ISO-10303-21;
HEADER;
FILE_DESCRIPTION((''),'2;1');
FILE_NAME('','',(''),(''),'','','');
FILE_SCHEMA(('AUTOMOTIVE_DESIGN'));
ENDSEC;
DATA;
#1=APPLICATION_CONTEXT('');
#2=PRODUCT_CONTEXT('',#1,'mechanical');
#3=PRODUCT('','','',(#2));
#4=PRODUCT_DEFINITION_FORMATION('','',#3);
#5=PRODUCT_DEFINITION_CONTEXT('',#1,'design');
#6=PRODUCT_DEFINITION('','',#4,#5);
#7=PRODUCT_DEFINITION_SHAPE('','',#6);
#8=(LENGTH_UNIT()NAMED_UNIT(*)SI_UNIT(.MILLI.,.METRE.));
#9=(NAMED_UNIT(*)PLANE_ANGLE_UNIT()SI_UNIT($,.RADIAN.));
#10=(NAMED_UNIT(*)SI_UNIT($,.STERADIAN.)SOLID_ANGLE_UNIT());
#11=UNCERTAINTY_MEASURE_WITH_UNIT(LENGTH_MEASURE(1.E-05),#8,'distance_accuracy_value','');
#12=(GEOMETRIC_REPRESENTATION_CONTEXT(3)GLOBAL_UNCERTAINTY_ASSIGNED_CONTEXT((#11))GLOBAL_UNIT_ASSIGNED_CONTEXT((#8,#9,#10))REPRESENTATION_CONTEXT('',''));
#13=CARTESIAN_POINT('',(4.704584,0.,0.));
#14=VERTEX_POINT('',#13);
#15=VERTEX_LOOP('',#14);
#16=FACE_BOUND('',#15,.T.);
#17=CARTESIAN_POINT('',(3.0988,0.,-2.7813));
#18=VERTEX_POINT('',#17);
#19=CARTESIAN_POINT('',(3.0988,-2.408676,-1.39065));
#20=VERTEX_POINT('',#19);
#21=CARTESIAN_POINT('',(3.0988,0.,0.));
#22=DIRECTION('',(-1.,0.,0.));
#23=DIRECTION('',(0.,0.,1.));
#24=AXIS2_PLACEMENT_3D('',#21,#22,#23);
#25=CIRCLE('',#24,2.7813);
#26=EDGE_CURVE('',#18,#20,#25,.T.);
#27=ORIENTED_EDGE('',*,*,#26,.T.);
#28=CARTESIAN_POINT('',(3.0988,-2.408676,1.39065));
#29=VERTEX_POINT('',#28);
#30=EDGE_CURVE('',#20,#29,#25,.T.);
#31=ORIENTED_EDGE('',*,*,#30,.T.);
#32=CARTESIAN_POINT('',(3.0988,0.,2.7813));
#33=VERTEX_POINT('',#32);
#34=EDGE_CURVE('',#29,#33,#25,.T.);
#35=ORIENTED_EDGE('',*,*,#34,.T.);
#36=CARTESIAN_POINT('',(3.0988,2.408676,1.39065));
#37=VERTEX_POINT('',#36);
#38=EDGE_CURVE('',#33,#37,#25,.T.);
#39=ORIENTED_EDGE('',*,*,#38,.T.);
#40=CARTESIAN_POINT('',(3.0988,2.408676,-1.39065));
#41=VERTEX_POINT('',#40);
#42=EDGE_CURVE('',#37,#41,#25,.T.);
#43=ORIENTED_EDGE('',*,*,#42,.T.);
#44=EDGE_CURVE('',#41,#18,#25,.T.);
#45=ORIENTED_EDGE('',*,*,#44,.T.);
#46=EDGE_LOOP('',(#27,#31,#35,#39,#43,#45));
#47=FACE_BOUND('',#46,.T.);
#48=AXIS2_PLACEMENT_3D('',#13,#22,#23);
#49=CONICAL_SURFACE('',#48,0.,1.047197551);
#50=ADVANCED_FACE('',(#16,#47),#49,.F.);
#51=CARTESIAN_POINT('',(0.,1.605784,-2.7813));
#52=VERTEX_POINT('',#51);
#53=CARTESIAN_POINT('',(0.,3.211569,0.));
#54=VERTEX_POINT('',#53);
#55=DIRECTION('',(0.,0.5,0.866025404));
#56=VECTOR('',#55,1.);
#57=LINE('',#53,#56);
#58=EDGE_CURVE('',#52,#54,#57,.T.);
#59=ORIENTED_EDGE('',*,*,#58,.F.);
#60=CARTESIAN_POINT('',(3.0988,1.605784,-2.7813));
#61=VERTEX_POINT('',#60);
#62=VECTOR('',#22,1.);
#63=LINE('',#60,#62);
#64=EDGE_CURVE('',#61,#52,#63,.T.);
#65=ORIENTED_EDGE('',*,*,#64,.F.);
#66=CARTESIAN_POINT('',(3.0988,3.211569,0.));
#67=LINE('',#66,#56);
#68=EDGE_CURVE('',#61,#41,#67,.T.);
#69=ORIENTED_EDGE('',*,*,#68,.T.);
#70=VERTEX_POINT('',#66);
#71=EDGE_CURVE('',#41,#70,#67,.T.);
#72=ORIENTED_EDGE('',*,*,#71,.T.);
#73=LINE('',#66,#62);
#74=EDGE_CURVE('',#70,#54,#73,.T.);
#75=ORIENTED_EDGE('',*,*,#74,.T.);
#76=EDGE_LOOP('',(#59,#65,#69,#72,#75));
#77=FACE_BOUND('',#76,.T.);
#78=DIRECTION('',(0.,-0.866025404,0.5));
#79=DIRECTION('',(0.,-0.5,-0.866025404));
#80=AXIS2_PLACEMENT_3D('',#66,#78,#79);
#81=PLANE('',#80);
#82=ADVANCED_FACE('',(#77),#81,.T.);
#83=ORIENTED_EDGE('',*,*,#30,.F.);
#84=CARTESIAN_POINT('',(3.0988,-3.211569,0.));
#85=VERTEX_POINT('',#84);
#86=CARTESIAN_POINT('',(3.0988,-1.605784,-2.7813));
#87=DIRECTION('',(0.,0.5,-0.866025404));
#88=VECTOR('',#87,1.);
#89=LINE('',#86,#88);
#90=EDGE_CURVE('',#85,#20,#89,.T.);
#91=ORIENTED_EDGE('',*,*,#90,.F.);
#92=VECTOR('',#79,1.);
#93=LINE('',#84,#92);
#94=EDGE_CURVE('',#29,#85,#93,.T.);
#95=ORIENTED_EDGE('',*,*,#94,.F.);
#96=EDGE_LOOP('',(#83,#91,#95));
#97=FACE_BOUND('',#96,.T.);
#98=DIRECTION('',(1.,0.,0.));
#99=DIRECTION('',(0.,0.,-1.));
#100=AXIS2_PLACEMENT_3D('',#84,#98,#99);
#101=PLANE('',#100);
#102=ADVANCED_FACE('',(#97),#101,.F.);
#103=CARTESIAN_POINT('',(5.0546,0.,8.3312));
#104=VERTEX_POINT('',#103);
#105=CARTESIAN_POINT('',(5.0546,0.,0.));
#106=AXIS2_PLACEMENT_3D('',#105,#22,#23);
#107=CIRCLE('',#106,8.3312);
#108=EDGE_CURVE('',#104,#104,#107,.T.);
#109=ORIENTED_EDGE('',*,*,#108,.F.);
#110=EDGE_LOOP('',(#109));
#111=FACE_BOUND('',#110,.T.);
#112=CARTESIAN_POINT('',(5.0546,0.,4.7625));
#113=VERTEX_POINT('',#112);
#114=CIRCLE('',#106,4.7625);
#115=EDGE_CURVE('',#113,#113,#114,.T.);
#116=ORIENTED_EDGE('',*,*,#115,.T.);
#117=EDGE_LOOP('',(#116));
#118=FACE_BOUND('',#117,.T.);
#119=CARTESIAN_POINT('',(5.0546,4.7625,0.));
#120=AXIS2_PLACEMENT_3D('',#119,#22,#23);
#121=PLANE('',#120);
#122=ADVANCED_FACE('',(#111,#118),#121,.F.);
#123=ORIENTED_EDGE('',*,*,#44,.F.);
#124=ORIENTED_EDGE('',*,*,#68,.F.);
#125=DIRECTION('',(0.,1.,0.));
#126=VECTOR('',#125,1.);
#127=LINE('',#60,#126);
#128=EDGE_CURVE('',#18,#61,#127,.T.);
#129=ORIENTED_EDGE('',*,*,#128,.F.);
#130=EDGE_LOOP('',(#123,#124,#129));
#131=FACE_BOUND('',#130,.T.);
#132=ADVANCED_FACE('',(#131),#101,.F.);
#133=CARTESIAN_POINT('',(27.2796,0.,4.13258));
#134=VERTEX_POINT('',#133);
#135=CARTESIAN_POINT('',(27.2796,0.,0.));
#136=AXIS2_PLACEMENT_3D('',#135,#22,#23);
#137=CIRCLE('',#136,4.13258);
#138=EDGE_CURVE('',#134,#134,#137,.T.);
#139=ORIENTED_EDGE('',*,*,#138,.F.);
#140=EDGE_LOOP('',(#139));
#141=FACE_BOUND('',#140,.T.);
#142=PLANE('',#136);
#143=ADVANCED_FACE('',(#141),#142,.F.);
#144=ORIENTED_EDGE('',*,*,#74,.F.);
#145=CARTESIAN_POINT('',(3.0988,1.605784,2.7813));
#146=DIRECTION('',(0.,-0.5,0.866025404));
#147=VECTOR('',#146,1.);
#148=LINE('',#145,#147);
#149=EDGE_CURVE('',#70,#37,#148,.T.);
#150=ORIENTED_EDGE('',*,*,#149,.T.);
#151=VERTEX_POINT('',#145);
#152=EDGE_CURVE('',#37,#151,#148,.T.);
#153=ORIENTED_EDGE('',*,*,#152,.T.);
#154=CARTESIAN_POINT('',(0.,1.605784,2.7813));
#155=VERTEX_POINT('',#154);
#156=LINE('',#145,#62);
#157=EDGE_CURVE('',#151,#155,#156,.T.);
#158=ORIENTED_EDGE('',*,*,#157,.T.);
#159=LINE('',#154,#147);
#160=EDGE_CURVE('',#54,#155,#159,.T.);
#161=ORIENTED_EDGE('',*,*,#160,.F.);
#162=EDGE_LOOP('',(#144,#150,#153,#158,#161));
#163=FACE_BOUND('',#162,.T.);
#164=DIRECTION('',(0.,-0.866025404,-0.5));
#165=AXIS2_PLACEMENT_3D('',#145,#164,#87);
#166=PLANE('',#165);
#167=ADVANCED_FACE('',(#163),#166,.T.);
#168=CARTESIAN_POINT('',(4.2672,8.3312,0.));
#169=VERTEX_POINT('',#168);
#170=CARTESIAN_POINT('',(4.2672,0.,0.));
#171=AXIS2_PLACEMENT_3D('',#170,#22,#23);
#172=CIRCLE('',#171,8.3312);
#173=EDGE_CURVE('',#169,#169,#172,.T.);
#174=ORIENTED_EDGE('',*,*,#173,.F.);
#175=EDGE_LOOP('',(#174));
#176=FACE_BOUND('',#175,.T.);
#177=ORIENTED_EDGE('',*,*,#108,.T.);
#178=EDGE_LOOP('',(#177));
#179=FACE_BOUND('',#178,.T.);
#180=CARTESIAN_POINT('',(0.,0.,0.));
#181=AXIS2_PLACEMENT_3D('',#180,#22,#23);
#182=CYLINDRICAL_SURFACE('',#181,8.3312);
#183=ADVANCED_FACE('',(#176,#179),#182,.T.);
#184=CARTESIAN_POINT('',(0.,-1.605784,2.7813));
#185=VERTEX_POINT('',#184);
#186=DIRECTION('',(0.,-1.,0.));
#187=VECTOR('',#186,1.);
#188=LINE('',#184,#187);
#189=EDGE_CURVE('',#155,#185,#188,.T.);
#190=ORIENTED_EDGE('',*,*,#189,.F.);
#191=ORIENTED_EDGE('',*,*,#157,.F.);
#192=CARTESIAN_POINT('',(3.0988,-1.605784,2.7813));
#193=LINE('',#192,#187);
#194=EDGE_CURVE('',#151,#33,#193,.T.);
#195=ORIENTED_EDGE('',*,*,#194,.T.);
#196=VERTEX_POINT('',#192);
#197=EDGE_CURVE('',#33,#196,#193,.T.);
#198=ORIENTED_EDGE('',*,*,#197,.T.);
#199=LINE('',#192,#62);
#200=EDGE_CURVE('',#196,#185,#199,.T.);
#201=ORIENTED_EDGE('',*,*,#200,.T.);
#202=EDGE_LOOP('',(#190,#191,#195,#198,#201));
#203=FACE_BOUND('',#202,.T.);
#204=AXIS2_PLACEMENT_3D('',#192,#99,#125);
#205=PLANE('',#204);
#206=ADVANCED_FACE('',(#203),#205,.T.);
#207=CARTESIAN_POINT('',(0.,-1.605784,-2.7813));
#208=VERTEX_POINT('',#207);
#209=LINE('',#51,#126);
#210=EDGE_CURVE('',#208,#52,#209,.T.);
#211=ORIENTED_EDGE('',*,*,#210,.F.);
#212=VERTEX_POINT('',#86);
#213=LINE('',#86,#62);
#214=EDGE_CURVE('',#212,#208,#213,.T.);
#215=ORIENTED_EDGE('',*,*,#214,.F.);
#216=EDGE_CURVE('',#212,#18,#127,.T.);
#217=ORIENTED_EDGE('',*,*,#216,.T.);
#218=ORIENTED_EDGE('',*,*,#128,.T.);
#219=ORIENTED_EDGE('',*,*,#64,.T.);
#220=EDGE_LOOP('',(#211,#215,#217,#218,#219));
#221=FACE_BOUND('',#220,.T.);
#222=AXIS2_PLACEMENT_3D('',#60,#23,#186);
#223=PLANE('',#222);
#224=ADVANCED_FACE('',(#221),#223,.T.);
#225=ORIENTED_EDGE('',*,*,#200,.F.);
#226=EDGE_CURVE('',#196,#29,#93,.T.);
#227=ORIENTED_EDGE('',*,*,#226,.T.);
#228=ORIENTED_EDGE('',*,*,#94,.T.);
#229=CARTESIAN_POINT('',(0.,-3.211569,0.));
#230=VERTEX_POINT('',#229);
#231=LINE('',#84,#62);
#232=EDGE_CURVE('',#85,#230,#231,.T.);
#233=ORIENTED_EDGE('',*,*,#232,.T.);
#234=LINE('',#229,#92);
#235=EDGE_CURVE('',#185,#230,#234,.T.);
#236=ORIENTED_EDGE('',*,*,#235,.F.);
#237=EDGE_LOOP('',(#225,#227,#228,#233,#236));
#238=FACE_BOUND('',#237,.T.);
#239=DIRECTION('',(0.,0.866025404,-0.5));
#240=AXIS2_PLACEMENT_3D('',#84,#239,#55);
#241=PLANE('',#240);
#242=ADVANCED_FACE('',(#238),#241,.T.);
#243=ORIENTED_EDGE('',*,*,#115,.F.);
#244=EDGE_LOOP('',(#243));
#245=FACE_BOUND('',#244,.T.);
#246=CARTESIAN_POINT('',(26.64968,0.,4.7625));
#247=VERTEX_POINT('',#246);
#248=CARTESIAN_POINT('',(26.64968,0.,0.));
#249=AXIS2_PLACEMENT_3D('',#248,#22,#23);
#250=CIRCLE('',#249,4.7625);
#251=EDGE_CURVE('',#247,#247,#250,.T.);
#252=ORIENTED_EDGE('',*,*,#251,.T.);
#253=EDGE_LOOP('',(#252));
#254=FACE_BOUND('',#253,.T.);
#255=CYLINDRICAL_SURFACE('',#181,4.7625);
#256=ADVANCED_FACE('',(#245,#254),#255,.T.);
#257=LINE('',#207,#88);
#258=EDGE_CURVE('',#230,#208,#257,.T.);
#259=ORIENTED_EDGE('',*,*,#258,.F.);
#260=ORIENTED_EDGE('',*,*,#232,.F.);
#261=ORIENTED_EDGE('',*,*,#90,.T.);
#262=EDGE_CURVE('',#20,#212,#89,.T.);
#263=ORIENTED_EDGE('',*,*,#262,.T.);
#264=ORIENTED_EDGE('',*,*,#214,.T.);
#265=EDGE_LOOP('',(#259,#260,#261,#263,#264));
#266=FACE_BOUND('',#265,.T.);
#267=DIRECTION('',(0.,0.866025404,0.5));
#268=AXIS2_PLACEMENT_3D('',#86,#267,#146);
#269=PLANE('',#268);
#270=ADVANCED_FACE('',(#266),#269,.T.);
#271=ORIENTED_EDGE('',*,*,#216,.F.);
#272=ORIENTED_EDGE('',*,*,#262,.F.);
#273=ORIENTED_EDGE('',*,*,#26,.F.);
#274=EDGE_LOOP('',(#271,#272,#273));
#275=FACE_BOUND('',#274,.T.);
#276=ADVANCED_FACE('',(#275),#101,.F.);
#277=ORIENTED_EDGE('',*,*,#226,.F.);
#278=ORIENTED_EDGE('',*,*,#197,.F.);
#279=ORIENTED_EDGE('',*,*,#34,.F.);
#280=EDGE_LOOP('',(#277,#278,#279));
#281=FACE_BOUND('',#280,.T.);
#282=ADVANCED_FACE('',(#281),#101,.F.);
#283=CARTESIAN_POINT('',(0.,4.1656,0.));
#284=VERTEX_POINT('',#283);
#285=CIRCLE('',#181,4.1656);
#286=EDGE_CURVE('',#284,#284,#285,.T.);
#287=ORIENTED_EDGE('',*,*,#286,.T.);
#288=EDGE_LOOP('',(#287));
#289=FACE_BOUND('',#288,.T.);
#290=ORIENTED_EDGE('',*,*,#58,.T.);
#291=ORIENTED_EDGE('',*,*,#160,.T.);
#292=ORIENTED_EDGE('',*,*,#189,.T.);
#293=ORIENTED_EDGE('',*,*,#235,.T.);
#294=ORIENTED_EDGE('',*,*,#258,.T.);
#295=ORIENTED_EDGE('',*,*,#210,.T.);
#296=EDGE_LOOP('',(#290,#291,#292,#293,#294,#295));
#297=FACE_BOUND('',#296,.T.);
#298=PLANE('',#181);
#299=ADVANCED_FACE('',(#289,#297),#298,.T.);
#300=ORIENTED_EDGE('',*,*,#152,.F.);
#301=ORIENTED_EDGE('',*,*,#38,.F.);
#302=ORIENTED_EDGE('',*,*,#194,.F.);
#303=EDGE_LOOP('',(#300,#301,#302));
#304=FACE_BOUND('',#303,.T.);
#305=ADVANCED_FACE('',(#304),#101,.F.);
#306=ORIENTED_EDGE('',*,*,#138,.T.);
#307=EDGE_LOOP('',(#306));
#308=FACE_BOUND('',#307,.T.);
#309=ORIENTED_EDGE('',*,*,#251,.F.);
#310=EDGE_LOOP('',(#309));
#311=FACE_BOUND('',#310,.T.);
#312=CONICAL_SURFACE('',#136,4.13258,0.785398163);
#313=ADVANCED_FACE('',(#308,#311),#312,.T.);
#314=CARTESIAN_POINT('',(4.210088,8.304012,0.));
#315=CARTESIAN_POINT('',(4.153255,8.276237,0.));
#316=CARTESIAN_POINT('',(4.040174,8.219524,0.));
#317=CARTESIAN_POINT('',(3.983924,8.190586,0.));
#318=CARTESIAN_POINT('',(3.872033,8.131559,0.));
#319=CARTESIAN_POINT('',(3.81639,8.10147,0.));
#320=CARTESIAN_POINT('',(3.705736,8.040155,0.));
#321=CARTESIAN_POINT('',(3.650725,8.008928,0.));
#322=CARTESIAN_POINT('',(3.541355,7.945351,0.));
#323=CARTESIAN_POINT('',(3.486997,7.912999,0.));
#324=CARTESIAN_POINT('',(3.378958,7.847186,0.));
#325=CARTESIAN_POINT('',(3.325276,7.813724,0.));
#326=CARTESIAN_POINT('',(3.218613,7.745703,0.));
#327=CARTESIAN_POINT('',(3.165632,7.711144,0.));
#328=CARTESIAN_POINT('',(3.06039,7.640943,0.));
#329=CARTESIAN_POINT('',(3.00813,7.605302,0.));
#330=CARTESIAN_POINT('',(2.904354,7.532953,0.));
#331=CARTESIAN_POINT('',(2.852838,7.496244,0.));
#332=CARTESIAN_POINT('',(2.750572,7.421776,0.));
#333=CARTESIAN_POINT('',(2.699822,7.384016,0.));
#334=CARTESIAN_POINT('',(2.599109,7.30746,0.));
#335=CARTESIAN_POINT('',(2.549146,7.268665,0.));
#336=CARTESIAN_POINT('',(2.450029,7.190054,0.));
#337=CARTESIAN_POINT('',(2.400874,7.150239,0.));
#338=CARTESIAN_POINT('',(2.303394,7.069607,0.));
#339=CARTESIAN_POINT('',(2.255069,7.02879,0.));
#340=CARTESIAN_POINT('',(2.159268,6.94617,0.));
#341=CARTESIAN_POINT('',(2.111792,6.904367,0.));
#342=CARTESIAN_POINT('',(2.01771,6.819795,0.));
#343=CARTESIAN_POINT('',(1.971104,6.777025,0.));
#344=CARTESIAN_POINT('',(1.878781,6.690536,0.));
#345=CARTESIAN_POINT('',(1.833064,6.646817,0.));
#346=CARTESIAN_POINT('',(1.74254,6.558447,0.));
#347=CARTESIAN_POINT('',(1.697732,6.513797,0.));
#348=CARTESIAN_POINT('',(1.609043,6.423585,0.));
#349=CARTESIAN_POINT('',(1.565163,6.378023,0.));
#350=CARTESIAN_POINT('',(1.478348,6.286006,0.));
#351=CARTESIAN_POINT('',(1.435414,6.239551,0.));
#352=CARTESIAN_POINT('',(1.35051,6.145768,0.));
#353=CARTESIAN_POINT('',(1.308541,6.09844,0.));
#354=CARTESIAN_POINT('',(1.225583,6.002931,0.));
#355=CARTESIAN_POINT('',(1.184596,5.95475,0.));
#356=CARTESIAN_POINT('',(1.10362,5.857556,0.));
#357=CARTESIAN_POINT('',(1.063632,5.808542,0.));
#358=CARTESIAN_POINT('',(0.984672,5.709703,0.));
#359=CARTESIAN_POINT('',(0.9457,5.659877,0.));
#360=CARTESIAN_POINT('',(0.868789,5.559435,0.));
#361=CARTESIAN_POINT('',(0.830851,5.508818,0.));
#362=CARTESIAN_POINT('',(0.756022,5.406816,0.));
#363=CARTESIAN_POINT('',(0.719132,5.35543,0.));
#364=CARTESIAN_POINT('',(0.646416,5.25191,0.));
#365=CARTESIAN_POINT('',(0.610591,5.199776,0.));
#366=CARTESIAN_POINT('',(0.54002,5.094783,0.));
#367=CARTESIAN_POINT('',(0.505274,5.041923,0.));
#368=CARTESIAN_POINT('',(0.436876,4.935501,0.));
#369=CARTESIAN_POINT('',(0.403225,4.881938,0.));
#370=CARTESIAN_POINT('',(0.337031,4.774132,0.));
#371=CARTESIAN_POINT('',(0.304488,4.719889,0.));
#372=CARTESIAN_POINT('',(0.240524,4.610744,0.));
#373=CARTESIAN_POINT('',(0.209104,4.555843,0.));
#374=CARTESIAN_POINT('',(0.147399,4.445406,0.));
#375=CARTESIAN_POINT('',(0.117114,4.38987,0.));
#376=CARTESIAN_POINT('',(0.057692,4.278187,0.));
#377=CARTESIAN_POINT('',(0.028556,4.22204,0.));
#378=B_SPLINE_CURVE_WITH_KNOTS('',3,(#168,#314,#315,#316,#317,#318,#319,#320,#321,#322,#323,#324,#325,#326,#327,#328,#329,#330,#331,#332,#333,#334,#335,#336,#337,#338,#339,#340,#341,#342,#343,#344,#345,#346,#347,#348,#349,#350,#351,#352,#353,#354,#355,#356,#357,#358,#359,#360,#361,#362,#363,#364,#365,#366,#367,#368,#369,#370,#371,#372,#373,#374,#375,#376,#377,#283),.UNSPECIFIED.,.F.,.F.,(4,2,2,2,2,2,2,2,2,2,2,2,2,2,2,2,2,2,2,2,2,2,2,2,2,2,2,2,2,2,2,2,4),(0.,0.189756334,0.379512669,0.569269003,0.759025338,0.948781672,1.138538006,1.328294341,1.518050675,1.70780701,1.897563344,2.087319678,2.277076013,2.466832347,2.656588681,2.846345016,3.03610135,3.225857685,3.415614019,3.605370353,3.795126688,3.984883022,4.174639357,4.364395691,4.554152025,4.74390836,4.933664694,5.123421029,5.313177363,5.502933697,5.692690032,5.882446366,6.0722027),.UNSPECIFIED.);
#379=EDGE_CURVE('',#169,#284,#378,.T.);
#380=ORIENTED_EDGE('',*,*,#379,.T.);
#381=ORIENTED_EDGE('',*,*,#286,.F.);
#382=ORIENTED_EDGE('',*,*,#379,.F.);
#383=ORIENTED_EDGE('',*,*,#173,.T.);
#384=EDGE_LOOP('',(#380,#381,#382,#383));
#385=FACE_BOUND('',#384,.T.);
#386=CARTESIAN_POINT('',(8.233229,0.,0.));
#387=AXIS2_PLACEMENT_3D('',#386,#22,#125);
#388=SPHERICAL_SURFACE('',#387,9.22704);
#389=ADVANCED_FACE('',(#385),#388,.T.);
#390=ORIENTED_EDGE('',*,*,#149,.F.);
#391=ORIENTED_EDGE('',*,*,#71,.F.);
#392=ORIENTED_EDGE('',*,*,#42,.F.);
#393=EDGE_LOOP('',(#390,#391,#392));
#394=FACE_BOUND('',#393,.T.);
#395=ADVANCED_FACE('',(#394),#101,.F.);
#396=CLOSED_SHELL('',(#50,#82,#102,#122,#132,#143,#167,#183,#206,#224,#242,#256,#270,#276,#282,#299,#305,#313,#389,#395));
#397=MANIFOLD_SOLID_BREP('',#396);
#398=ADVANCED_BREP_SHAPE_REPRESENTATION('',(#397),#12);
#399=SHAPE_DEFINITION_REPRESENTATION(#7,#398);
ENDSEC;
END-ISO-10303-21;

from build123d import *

# Parameters (mm, degrees)
HEX_2_DEPTH = 3.0988


with BuildPart() as part:
    # BodySke → BaseBody (revolve)
    with BuildSketch(Plane.XY, mode=Mode.PRIVATE) as basebody_sk:
        with BuildLine():
            Line((27.2796, 0), (27.2796, 4.13258))
            Line((27.2796, 4.13258), (26.64968, 4.7625))
            Line((26.64968, 4.7625), (5.0546, 4.7625))
            Line((5.0546, 4.7625), (5.0546, 8.3312))
            Line((5.0546, 8.3312), (4.2672, 8.3312))
            ThreePointArc((4.2672, 8.3312), (1.787801933, 6.602632166), (0, 4.1656))
            Line((0, 4.1656), (0, 0))
            Line((0, 0), (27.2796, 0))
        make_face()
    revolve(basebody_sk.sketch.rotate(Axis((0, 0, 0), (1, 0, 0)), 90), axis=Axis((0, 0, 0), (1, 0, 0)))

    # Sketch2 → PreBroach (revolve, cut)
    with BuildSketch(Plane.XY, mode=Mode.PRIVATE) as prebroach_sk:
        Polygon((0, 2.7813), (3.0988, 2.7813), (4.704584304, 0), (0, 0), align=None)
    revolve(prebroach_sk.sketch.rotate(Axis((0, 0, 0), (1, 0, 0)), 90), axis=Axis((0, 0, 0), (1, 0, 0)), mode=Mode.SUBTRACT)

    # Sketch3 → Hex 2 (cut)
    with BuildSketch(Plane(origin=(0, 0, 0), x_dir=(0, 0, -1), z_dir=(1, 0, 0))):
        Polygon((-2.7813, -1.605784304), (-2.7813, 1.605784304), (0, 3.211568607), (2.7813, 1.605784304), (2.7813, -1.605784304), (0, -3.211568607), align=None)
    extrude(amount=HEX_2_DEPTH, mode=Mode.SUBTRACT)


solid = part.part
